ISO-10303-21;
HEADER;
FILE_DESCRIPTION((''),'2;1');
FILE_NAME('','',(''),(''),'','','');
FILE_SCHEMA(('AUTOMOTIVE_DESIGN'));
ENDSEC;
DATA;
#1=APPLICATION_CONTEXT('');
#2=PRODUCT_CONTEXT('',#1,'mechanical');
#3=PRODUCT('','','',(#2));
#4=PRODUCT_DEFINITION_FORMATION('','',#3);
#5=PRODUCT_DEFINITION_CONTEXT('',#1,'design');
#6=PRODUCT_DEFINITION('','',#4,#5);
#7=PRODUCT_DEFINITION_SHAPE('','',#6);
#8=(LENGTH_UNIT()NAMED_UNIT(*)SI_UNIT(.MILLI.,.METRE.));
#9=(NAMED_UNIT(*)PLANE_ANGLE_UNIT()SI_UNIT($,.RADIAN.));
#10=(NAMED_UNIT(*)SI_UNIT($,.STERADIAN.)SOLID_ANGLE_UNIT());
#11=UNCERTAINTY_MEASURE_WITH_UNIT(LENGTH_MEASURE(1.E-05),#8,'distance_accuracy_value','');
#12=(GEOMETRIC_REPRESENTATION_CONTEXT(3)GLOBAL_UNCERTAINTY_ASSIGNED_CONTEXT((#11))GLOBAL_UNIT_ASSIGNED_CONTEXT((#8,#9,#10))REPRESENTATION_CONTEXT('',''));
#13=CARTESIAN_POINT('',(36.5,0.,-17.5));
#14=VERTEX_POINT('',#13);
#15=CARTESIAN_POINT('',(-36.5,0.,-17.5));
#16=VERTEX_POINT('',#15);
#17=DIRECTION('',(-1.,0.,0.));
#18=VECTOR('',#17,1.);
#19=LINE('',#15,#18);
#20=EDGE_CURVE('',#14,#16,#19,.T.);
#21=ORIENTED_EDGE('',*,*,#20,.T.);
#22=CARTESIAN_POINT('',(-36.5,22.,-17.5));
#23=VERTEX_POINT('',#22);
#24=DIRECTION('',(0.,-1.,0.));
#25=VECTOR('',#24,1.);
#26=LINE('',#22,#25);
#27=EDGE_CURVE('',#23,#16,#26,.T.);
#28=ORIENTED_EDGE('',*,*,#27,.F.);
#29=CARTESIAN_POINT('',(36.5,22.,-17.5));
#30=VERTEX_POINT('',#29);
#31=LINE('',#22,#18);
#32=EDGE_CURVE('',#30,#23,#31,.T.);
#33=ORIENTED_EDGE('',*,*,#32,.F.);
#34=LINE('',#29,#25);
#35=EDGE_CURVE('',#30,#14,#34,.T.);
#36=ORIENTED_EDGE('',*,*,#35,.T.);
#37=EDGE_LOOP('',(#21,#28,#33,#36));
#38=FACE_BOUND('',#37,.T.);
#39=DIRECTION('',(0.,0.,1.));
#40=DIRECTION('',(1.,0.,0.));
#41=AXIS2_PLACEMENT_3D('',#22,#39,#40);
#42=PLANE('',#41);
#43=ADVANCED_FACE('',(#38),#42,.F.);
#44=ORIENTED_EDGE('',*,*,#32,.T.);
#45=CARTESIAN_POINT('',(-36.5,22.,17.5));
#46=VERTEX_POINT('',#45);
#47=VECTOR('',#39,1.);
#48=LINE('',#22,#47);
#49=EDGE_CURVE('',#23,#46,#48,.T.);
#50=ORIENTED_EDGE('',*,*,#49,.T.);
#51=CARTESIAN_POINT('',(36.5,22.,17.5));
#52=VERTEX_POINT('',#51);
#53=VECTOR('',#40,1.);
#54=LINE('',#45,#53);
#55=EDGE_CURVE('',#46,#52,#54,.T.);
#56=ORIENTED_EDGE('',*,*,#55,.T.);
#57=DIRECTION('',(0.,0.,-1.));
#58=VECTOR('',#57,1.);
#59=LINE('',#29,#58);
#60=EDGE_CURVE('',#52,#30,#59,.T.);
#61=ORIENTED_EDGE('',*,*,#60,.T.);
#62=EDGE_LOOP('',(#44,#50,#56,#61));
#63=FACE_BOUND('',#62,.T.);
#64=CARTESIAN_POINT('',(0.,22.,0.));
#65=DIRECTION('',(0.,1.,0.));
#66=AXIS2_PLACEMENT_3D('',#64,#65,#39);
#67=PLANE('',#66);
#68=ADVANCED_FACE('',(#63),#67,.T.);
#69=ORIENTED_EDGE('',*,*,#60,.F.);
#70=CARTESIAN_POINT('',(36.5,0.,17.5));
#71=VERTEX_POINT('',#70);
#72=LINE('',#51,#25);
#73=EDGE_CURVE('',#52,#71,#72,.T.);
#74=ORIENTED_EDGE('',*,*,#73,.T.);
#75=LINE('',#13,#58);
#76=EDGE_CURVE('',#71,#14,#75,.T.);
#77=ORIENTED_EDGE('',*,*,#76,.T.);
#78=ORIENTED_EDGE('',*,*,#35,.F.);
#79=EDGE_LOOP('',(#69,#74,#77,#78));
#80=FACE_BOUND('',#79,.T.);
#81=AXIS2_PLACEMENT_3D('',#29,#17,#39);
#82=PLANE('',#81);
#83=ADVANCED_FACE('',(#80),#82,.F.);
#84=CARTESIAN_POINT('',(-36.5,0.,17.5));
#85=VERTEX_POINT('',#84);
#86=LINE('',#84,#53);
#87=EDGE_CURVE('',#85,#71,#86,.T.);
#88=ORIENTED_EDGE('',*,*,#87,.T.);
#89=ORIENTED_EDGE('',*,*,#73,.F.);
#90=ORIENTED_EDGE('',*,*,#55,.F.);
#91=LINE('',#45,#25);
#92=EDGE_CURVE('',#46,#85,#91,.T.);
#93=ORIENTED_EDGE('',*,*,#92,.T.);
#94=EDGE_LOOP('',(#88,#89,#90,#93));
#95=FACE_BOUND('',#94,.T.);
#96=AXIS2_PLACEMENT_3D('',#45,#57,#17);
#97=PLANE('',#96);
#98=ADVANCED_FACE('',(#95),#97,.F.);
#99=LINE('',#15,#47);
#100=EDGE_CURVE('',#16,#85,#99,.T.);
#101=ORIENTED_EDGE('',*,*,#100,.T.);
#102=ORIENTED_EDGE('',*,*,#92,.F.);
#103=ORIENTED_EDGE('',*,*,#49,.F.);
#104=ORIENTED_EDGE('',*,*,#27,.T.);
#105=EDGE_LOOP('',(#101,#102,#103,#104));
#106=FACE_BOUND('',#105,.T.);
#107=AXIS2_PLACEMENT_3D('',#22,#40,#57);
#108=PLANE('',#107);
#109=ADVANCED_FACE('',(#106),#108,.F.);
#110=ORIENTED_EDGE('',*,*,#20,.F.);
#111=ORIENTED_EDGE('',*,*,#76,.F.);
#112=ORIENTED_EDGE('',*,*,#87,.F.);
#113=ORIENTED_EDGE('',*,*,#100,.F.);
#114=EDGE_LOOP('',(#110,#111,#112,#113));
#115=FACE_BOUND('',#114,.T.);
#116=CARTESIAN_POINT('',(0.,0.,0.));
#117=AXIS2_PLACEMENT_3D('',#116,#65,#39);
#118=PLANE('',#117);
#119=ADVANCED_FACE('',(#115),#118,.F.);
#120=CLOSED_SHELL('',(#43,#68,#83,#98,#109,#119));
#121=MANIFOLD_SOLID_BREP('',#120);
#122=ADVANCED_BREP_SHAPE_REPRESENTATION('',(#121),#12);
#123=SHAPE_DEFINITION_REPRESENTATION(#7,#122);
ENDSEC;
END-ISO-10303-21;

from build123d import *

# Parameters (mm, degrees)
SKETCH1_W           = 73
SKETCH1_H           = 35
BOSS_EXTRUDE1_DEPTH = 22


with BuildPart() as part:
    # Sketch1 → Boss-Extrude1 (new body)
    with BuildSketch(Plane(origin=(0, 0, 0), x_dir=(1, 0, 0), z_dir=(0, 1, 0))):
        Rectangle(SKETCH1_W, SKETCH1_H)
    extrude(amount=BOSS_EXTRUDE1_DEPTH)


solid = part.part
